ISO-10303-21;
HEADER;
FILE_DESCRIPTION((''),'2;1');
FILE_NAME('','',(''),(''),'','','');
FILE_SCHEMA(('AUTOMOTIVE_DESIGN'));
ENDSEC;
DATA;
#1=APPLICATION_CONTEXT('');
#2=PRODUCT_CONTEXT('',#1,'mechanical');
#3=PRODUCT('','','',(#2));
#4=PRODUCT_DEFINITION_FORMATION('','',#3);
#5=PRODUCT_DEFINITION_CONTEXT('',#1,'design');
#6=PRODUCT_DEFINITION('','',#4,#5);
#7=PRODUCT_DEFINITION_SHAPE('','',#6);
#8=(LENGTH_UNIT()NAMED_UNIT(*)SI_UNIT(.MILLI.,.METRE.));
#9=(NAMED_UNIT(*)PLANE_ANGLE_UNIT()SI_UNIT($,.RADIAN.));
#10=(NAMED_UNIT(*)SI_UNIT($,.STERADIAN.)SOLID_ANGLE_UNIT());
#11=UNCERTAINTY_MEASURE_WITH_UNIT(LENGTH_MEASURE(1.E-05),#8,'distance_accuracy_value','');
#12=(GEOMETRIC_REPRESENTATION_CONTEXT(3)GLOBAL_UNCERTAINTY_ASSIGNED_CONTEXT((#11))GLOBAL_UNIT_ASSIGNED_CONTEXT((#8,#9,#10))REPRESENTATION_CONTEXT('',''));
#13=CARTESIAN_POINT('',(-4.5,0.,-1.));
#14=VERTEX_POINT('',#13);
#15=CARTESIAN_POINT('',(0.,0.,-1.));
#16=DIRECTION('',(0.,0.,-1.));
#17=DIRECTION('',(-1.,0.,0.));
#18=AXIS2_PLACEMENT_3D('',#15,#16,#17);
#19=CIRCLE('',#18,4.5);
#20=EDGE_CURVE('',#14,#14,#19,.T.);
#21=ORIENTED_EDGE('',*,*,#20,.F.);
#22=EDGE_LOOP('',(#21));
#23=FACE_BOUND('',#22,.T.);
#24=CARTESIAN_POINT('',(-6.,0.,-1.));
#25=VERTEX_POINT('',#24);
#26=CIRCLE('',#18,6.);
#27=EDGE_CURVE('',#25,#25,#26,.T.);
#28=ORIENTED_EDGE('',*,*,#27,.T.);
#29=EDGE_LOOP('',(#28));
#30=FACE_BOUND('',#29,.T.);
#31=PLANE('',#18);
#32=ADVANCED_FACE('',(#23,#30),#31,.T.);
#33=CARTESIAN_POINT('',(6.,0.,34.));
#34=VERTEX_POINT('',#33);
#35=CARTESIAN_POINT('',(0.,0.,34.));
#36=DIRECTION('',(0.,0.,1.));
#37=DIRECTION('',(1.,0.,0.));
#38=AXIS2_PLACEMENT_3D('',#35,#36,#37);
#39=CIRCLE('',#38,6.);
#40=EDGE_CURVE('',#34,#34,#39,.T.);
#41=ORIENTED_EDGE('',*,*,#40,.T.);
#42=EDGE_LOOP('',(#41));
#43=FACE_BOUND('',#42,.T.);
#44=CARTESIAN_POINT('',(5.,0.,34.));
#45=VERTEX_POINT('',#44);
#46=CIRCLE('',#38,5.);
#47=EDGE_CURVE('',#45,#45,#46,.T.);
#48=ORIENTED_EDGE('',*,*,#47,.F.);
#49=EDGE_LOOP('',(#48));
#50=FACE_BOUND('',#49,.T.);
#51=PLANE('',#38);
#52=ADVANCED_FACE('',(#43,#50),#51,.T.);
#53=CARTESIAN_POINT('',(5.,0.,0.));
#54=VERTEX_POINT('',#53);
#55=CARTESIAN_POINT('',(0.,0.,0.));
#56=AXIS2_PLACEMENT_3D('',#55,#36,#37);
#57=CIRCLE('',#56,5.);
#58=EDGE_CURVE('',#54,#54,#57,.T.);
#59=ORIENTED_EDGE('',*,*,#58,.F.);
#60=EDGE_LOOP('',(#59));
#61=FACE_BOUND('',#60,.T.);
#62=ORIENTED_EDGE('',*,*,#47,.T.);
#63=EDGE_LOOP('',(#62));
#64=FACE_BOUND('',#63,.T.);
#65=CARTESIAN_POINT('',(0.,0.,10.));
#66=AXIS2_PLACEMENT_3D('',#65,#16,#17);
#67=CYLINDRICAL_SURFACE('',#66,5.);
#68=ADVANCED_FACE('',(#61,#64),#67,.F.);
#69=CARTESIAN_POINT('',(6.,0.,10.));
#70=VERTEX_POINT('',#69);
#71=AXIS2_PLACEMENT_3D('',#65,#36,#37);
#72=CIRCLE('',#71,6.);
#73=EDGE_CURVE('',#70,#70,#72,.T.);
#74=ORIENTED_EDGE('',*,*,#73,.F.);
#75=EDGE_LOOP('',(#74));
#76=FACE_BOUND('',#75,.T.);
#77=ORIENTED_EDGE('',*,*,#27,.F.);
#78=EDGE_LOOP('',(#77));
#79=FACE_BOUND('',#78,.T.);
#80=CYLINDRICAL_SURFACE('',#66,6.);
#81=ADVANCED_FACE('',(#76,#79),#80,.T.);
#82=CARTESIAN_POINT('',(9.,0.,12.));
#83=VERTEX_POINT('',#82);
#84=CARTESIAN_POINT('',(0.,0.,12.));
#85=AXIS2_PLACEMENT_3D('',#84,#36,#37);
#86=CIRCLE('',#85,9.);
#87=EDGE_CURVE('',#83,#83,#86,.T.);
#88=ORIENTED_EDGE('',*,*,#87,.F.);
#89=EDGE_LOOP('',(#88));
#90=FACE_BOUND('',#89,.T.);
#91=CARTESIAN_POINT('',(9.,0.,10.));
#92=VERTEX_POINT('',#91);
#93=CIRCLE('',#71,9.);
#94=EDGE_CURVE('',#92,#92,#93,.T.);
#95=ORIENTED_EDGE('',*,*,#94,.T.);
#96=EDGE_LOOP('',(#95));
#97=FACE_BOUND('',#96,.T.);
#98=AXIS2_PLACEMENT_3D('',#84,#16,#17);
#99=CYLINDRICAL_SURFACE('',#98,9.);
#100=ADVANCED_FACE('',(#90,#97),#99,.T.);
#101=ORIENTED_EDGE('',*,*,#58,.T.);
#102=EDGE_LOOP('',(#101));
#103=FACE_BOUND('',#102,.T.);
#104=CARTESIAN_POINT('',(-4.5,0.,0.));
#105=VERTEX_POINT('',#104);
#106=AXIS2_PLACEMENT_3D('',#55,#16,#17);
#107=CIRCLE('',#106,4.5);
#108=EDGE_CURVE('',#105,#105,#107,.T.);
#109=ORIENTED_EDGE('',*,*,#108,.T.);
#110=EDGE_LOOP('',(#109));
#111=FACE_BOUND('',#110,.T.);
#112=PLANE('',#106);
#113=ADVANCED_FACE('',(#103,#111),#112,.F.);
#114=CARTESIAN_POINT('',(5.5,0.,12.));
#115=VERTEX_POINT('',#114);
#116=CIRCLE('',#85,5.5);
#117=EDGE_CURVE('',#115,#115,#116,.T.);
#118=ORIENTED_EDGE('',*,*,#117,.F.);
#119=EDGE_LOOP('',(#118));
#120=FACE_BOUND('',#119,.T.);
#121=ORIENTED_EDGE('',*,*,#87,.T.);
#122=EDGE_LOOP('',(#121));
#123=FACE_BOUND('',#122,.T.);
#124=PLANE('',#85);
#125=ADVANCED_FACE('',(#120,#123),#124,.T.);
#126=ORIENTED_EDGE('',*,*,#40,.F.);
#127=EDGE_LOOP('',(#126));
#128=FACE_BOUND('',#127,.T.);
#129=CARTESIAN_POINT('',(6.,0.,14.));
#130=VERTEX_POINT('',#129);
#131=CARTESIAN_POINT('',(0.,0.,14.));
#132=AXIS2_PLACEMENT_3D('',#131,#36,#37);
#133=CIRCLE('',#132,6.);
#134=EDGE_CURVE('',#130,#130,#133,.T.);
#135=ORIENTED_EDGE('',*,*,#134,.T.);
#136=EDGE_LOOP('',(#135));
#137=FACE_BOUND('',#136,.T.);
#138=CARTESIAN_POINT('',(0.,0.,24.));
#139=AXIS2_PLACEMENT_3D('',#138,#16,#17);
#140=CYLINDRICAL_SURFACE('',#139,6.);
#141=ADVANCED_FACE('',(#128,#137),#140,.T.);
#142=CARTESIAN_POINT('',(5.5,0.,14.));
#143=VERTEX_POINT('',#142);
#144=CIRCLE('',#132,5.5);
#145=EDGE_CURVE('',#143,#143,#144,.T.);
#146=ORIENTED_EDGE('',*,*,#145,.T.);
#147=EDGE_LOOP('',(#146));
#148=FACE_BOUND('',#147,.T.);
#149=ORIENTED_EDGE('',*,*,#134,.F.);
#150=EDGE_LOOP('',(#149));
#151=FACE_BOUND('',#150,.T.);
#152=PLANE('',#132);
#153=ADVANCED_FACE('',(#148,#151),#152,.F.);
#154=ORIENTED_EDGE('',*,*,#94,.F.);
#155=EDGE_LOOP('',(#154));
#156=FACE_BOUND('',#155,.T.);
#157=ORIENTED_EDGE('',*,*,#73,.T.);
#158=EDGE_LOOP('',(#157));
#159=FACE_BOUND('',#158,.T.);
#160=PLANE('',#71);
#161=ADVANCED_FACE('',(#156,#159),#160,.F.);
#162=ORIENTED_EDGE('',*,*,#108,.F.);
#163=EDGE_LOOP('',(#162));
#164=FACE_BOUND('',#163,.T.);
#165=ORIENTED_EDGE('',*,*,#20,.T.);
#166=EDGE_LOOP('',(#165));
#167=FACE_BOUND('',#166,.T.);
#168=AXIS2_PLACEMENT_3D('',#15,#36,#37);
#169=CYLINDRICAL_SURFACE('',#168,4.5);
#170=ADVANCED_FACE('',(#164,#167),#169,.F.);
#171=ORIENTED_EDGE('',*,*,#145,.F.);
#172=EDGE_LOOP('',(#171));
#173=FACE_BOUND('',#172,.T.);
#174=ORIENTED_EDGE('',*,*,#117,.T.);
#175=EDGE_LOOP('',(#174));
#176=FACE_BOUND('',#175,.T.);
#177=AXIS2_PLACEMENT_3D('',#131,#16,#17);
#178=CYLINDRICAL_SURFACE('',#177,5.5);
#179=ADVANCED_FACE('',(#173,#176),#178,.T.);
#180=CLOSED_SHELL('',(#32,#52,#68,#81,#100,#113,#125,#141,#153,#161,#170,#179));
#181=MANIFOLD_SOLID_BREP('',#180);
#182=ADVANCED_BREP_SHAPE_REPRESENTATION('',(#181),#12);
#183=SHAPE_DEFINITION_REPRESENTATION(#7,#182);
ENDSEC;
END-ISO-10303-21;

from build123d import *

# Parameters (mm, degrees)
ESQUISSE1_R        = 6
ESQUISSE1_R_2      = 5
BOSS_EXTRU_1_DEPTH = 10
ESQUISSE2_R        = 6
ESQUISSE2_R_2      = 4.5
BOSS_EXTRU_2_DEPTH = 1
ESQUISSE3_R        = 9
ESQUISSE3_R_2      = 5
BOSS_EXTRU_3_DEPTH = 2
ESQUISSE4_R        = 5.5
ESQUISSE4_R_2      = 5
BOSS_EXTRU_4_DEPTH = 2
ESQUISSE5_R        = 6
ESQUISSE5_R_2      = 5
BOSS_EXTRU_5_DEPTH = 10
ESQUISSE6_R        = 6
ESQUISSE6_R_2      = 5
BOSS_EXTRU_6_DEPTH = 10


with BuildPart() as part:
    # Esquisse1 → Boss.-Extru.1 (new body)
    with BuildSketch(Plane.XY):
        Circle(ESQUISSE1_R)
        Circle(ESQUISSE1_R_2, mode=Mode.SUBTRACT)
    extrude(amount=BOSS_EXTRU_1_DEPTH)

    # Esquisse2 → Boss.-Extru.2 (add)
    with BuildSketch(Plane(origin=(0, 0, 0), x_dir=(-1, 0, 0), z_dir=(0, 0, -1))):
        Circle(ESQUISSE2_R)
        Circle(ESQUISSE2_R_2, mode=Mode.SUBTRACT)
    extrude(amount=BOSS_EXTRU_2_DEPTH)

    # Esquisse3 → Boss.-Extru.3 (add)
    with BuildSketch(Plane.XY.offset(10)):
        Circle(ESQUISSE3_R)
        Circle(ESQUISSE3_R_2, mode=Mode.SUBTRACT)
    extrude(amount=BOSS_EXTRU_3_DEPTH)

    # Esquisse4 → Boss.-Extru.4 (add)
    with BuildSketch(Plane.XY.offset(12)):
        Circle(ESQUISSE4_R)
        Circle(ESQUISSE4_R_2, mode=Mode.SUBTRACT)
    extrude(amount=BOSS_EXTRU_4_DEPTH)

    # Esquisse5 → Boss.-Extru.5 (add)
    with BuildSketch(Plane.XY.offset(14)):
        Circle(ESQUISSE5_R)
        Circle(ESQUISSE5_R_2, mode=Mode.SUBTRACT)
    extrude(amount=BOSS_EXTRU_5_DEPTH)

    # Esquisse6 → Boss.-Extru.6 (add)
    with BuildSketch(Plane.XY.offset(24)):
        Circle(ESQUISSE6_R)
        Circle(ESQUISSE6_R_2, mode=Mode.SUBTRACT)
    extrude(amount=BOSS_EXTRU_6_DEPTH)


solid = part.part
